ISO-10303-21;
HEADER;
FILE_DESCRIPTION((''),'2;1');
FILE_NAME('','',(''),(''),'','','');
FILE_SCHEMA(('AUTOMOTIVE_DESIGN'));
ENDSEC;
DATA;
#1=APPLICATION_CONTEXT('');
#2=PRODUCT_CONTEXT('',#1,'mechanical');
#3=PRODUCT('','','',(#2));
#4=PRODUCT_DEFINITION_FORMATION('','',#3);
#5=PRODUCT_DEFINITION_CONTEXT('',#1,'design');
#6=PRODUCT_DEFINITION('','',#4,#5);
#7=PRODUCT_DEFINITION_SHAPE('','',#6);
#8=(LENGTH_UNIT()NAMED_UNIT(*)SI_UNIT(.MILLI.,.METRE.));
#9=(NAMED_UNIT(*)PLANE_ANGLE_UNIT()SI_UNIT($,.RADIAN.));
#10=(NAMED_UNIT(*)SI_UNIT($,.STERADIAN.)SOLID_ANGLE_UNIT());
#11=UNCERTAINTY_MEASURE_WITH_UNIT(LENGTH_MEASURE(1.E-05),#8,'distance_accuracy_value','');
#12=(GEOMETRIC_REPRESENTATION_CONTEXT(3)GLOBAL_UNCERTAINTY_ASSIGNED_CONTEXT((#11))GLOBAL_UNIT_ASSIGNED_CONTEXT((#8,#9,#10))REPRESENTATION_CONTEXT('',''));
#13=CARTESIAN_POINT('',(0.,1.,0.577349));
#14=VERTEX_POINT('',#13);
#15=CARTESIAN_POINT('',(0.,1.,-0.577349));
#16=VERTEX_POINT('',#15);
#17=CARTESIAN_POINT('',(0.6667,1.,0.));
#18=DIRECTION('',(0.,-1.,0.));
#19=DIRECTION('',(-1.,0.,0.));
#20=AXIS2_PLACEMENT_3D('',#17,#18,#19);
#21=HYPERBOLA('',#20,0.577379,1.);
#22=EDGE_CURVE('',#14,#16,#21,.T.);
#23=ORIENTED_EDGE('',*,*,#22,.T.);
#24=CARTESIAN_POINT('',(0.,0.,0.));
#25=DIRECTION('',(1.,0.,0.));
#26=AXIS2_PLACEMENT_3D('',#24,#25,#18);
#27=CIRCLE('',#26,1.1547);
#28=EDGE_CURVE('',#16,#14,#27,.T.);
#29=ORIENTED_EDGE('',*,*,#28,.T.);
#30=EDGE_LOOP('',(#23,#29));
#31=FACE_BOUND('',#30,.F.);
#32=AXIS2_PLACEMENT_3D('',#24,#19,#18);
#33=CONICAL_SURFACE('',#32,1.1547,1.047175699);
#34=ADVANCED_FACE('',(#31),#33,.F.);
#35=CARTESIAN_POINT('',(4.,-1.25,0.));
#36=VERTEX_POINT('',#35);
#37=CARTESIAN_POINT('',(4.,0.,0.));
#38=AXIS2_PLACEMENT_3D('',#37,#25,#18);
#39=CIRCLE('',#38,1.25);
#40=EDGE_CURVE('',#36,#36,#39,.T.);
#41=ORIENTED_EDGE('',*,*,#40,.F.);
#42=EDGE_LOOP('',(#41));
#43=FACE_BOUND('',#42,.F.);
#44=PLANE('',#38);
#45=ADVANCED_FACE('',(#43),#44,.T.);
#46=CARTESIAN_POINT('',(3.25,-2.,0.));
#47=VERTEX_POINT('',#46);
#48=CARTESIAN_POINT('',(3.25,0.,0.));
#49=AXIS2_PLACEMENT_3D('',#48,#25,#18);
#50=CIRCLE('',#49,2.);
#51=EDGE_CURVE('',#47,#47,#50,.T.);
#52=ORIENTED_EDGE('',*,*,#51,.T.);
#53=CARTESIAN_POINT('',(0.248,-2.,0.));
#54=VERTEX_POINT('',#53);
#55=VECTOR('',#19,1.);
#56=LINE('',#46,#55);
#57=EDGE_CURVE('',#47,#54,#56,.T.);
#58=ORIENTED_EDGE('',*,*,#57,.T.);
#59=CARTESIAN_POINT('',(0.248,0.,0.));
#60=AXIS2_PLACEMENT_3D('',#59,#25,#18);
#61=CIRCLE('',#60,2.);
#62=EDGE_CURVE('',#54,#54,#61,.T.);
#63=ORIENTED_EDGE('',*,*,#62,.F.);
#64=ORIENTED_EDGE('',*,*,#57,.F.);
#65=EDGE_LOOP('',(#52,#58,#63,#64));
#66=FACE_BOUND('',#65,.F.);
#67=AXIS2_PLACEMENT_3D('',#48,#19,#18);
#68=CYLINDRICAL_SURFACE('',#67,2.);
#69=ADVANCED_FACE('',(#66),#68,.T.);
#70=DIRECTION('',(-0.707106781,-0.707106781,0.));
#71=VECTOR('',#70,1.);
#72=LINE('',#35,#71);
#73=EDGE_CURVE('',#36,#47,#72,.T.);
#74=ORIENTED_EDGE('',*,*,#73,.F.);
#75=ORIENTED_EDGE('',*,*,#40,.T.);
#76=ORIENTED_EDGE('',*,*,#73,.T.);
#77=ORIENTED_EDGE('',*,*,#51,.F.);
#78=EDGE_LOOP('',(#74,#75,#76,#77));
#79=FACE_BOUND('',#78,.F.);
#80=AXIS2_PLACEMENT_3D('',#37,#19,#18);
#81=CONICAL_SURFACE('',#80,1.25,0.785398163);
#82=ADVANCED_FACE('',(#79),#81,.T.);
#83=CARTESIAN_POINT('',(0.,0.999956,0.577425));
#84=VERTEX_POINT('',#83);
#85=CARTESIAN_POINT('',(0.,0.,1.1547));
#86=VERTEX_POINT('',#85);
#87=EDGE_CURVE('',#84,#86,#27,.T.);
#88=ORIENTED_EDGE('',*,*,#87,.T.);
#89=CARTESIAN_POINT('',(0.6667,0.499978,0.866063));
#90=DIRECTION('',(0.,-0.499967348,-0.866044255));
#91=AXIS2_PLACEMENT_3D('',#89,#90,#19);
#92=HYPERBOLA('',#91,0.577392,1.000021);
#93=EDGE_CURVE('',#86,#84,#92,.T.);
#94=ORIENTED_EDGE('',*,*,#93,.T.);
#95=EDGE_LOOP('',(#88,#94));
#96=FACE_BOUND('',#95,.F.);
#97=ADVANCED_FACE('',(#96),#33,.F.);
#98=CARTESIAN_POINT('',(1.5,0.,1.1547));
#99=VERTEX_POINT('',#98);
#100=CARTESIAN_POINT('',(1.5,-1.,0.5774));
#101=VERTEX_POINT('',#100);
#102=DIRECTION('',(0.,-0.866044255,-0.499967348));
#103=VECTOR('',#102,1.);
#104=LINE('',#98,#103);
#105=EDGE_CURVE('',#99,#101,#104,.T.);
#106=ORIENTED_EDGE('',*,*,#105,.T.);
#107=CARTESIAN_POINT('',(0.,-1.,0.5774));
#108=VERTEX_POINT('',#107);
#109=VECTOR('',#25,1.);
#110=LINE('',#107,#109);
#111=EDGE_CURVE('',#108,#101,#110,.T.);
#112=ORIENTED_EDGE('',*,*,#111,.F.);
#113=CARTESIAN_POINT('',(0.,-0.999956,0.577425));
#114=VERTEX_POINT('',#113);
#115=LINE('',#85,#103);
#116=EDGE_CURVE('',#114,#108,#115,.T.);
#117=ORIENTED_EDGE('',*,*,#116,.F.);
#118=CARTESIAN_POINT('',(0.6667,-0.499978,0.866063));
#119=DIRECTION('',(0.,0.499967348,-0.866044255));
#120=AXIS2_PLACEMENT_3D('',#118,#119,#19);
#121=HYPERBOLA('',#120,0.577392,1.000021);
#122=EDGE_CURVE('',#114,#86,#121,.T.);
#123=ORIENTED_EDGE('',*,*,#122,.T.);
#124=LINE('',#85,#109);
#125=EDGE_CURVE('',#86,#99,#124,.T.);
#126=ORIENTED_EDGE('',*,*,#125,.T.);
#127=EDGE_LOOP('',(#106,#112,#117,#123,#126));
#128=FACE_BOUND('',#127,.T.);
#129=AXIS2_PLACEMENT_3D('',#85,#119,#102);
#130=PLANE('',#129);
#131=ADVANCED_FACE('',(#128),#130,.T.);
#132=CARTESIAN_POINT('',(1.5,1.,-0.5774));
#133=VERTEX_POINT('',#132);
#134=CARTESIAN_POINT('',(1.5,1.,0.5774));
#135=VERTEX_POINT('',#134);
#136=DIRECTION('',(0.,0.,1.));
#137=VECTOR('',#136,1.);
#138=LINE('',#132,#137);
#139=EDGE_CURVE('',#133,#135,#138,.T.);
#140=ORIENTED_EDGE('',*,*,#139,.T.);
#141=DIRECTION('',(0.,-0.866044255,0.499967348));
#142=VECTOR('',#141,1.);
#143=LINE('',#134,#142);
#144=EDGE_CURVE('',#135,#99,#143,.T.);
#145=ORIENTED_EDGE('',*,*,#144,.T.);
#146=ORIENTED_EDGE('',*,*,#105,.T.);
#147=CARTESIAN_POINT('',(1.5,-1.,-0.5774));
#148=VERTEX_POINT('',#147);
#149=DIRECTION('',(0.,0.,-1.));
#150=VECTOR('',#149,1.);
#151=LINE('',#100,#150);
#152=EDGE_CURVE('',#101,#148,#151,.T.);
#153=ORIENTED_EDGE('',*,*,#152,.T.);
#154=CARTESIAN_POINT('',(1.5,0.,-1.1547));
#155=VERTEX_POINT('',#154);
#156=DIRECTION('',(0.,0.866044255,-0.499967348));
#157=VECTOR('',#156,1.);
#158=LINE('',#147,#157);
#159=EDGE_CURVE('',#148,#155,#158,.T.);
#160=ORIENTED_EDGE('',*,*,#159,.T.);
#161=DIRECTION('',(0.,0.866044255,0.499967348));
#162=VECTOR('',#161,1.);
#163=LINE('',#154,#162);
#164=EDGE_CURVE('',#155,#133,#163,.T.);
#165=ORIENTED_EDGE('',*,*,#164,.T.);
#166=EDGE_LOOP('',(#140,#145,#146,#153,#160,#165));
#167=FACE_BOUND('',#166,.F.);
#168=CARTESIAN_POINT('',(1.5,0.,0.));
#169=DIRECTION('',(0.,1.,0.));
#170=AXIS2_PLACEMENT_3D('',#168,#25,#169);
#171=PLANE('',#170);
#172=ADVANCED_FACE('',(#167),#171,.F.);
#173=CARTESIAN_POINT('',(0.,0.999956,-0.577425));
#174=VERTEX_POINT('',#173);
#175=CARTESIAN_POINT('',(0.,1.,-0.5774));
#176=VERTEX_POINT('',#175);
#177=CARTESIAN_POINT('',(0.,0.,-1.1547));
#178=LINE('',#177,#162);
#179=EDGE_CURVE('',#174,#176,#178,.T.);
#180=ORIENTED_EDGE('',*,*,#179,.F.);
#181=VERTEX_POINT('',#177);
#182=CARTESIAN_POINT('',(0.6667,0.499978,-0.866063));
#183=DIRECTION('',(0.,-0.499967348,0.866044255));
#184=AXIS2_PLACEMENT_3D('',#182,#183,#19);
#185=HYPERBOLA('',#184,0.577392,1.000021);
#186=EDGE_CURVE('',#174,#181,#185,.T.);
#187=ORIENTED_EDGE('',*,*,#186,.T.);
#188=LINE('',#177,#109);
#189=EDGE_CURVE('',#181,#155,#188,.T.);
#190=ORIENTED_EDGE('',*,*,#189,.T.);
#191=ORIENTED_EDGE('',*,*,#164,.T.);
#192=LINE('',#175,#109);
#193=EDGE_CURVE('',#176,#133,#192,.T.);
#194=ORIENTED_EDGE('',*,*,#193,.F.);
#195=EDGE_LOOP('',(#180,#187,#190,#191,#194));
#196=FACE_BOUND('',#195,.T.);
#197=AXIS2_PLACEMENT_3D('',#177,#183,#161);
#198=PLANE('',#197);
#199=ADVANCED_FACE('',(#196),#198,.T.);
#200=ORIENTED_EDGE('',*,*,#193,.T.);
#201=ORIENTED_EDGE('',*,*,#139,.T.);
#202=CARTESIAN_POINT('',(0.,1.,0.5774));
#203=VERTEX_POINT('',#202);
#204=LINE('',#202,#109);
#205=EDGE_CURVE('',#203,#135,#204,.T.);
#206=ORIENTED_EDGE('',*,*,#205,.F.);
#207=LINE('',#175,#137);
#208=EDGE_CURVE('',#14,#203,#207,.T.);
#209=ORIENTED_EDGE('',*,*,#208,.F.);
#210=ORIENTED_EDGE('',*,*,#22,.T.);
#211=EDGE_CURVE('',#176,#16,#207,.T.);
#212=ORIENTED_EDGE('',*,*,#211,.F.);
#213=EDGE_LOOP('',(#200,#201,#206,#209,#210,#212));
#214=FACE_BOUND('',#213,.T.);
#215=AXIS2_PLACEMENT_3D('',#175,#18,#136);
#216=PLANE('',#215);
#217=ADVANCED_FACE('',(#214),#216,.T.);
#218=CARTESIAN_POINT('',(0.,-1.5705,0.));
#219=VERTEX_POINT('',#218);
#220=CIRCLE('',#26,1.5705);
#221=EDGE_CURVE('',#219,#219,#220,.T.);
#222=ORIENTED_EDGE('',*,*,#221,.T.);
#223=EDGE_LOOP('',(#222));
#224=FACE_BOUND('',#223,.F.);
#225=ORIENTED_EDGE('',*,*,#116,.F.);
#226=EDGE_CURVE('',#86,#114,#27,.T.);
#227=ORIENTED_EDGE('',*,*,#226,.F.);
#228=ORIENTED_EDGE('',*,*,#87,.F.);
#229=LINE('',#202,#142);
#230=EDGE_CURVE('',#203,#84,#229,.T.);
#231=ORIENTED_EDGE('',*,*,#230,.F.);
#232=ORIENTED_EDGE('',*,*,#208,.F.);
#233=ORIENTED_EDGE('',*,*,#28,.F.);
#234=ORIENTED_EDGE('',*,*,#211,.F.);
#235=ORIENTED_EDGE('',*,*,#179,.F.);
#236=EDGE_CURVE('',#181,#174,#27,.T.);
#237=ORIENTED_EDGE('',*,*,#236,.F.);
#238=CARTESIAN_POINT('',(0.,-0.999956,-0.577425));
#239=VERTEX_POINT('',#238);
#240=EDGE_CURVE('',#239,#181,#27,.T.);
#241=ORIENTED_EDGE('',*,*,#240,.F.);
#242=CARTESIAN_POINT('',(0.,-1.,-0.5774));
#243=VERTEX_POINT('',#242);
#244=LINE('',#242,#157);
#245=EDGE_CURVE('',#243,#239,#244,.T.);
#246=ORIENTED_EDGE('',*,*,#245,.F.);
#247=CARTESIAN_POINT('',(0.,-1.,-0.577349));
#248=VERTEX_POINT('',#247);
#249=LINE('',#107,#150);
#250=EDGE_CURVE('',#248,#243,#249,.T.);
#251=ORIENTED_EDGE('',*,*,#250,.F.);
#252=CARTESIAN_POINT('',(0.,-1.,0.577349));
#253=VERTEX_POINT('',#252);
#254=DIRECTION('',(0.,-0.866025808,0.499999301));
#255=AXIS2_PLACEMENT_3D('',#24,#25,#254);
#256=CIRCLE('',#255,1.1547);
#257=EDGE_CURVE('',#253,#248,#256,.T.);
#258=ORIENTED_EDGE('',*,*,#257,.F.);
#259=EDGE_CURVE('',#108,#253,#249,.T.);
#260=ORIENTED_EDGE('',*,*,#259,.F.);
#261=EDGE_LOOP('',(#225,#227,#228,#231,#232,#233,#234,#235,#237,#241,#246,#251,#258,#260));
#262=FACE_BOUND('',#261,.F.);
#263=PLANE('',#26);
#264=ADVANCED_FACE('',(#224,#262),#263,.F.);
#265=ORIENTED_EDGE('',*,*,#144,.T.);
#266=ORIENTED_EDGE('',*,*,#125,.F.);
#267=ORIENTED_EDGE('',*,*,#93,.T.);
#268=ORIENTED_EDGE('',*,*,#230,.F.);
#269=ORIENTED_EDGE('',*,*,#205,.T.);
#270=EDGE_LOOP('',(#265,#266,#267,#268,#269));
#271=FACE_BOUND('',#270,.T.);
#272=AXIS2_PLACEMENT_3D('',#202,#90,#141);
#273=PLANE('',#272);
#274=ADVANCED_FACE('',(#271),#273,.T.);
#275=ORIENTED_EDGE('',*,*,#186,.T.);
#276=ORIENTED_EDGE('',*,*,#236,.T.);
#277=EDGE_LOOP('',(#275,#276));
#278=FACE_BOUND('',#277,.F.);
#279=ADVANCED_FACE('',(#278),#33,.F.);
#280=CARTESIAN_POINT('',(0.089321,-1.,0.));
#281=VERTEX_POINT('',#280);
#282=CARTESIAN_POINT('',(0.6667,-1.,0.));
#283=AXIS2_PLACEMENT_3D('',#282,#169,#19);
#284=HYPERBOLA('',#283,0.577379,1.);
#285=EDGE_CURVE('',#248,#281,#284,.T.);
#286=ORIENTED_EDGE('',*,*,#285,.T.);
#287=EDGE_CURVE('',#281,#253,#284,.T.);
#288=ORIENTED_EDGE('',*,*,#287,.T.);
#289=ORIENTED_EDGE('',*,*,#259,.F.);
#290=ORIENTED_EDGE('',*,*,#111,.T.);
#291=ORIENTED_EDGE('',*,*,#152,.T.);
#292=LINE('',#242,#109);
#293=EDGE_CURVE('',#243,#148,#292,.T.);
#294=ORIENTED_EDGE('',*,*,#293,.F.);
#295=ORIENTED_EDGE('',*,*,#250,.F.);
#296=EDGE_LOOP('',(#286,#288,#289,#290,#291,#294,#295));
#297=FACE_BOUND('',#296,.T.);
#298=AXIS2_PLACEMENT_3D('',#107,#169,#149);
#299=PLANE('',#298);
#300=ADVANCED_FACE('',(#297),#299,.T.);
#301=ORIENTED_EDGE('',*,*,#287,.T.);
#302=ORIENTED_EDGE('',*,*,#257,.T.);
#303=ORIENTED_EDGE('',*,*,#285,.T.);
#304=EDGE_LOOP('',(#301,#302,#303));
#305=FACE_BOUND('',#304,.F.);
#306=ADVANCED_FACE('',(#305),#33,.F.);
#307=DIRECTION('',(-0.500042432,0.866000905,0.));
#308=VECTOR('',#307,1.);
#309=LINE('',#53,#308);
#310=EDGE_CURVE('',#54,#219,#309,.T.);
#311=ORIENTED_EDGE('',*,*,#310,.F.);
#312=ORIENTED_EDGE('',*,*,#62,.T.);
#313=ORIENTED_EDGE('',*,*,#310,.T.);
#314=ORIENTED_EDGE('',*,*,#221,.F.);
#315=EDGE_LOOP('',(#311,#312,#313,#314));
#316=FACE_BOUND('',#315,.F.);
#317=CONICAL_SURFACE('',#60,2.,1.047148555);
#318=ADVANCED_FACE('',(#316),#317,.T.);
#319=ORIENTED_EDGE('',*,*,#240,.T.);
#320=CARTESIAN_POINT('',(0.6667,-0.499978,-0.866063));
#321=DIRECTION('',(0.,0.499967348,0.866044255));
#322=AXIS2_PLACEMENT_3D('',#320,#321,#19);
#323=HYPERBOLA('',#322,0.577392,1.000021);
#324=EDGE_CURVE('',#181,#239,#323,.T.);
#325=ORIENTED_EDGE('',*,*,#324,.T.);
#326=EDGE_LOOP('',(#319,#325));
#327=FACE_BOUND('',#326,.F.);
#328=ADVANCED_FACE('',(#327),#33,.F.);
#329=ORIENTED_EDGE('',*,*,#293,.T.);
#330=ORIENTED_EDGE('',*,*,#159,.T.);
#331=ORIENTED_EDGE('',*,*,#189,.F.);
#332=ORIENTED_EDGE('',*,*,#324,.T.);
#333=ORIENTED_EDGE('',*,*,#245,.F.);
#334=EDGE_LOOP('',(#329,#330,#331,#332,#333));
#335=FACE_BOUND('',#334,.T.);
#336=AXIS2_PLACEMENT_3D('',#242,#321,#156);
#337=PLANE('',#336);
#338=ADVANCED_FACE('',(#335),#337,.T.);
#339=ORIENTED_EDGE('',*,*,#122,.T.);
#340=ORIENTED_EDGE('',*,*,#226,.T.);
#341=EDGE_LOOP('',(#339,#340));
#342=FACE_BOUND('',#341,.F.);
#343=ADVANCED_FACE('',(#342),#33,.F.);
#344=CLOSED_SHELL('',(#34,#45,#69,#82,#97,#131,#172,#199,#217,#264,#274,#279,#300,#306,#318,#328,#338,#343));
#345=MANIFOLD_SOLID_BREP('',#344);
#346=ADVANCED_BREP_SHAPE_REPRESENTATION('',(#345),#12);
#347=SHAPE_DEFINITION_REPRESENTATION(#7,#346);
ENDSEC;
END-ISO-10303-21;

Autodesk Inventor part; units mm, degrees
sketch "Sketch_1" plane through (0, 0, 0) normal (0, 0, 1) x (1, 0, 0)
  line L0 (0.6667, 0) -> (4, 0)
  line L1 (4, 0) -> (4, -1.25)
  line L2 (4, -1.25) -> (3.25, -2)
  line L3 (3.25, -2) -> (0.248, -2)
  line L4 (0.248, -2) -> (0, -1.5705)
  line L5 (0, -1.5705) -> (0, -1.1547)
  line L6 (0, -1.1547) -> (0.6667, 0)
  line L7 (0.6667, 0) -> (4, 0)
revolve "Revolution1" add sketch "Sketch_1" angle 360 about axis through (0.6667, 0, 0) along (1, 0, 0)
thread "Thread1" size "M4x0.7" class "6g" standard "ISO Metric profile" full length
sketch "Sketch_2" plane through (0, 0, 0) normal (1, 0, 0) x (0, 1, 0)
  line L0 (0, 1.1547) -> (-1, 0.5774)
  line L1 (-1, 0.5774) -> (-1, -0.5774)
  line L2 (-1, -0.5774) -> (0, -1.1547)
  line L3 (0, -1.1547) -> (1, -0.5774)
  line L4 (1, -0.5774) -> (1, 0.5774)
  line L5 (1, 0.5774) -> (0, 1.1547)
extrude "Extrusion1" cut sketch "Sketch_2" along normal blind 1.5
ref_plane "IP1_XY" through (0, 0, 0) normal (1, 0, 0) x (0, 0, -1)
ref_plane "IP1_YZ" through (0, 0, 0) normal (0, 0, -1) x (0, 1, 0)
ref_plane "IP1_ZX" through (0, 0, 0) normal (0, 1, 0) x (1, 0, 0)
ref_plane "IP2_XY" through (4, 0, 0) normal (1, 0, 0) x (0, 0, -1)
ref_plane "IP2_YZ" through (4, 0, 0) normal (0, 0, -1) x (0, 1, 0)
ref_plane "IP2_ZX" through (4, 0, 0) normal (0, 1, 0) x (1, 0, 0)
properties part number "Hexagon socket set screw with flat point DIN 913 - M4x4" material "鋼、炭素鋼"
